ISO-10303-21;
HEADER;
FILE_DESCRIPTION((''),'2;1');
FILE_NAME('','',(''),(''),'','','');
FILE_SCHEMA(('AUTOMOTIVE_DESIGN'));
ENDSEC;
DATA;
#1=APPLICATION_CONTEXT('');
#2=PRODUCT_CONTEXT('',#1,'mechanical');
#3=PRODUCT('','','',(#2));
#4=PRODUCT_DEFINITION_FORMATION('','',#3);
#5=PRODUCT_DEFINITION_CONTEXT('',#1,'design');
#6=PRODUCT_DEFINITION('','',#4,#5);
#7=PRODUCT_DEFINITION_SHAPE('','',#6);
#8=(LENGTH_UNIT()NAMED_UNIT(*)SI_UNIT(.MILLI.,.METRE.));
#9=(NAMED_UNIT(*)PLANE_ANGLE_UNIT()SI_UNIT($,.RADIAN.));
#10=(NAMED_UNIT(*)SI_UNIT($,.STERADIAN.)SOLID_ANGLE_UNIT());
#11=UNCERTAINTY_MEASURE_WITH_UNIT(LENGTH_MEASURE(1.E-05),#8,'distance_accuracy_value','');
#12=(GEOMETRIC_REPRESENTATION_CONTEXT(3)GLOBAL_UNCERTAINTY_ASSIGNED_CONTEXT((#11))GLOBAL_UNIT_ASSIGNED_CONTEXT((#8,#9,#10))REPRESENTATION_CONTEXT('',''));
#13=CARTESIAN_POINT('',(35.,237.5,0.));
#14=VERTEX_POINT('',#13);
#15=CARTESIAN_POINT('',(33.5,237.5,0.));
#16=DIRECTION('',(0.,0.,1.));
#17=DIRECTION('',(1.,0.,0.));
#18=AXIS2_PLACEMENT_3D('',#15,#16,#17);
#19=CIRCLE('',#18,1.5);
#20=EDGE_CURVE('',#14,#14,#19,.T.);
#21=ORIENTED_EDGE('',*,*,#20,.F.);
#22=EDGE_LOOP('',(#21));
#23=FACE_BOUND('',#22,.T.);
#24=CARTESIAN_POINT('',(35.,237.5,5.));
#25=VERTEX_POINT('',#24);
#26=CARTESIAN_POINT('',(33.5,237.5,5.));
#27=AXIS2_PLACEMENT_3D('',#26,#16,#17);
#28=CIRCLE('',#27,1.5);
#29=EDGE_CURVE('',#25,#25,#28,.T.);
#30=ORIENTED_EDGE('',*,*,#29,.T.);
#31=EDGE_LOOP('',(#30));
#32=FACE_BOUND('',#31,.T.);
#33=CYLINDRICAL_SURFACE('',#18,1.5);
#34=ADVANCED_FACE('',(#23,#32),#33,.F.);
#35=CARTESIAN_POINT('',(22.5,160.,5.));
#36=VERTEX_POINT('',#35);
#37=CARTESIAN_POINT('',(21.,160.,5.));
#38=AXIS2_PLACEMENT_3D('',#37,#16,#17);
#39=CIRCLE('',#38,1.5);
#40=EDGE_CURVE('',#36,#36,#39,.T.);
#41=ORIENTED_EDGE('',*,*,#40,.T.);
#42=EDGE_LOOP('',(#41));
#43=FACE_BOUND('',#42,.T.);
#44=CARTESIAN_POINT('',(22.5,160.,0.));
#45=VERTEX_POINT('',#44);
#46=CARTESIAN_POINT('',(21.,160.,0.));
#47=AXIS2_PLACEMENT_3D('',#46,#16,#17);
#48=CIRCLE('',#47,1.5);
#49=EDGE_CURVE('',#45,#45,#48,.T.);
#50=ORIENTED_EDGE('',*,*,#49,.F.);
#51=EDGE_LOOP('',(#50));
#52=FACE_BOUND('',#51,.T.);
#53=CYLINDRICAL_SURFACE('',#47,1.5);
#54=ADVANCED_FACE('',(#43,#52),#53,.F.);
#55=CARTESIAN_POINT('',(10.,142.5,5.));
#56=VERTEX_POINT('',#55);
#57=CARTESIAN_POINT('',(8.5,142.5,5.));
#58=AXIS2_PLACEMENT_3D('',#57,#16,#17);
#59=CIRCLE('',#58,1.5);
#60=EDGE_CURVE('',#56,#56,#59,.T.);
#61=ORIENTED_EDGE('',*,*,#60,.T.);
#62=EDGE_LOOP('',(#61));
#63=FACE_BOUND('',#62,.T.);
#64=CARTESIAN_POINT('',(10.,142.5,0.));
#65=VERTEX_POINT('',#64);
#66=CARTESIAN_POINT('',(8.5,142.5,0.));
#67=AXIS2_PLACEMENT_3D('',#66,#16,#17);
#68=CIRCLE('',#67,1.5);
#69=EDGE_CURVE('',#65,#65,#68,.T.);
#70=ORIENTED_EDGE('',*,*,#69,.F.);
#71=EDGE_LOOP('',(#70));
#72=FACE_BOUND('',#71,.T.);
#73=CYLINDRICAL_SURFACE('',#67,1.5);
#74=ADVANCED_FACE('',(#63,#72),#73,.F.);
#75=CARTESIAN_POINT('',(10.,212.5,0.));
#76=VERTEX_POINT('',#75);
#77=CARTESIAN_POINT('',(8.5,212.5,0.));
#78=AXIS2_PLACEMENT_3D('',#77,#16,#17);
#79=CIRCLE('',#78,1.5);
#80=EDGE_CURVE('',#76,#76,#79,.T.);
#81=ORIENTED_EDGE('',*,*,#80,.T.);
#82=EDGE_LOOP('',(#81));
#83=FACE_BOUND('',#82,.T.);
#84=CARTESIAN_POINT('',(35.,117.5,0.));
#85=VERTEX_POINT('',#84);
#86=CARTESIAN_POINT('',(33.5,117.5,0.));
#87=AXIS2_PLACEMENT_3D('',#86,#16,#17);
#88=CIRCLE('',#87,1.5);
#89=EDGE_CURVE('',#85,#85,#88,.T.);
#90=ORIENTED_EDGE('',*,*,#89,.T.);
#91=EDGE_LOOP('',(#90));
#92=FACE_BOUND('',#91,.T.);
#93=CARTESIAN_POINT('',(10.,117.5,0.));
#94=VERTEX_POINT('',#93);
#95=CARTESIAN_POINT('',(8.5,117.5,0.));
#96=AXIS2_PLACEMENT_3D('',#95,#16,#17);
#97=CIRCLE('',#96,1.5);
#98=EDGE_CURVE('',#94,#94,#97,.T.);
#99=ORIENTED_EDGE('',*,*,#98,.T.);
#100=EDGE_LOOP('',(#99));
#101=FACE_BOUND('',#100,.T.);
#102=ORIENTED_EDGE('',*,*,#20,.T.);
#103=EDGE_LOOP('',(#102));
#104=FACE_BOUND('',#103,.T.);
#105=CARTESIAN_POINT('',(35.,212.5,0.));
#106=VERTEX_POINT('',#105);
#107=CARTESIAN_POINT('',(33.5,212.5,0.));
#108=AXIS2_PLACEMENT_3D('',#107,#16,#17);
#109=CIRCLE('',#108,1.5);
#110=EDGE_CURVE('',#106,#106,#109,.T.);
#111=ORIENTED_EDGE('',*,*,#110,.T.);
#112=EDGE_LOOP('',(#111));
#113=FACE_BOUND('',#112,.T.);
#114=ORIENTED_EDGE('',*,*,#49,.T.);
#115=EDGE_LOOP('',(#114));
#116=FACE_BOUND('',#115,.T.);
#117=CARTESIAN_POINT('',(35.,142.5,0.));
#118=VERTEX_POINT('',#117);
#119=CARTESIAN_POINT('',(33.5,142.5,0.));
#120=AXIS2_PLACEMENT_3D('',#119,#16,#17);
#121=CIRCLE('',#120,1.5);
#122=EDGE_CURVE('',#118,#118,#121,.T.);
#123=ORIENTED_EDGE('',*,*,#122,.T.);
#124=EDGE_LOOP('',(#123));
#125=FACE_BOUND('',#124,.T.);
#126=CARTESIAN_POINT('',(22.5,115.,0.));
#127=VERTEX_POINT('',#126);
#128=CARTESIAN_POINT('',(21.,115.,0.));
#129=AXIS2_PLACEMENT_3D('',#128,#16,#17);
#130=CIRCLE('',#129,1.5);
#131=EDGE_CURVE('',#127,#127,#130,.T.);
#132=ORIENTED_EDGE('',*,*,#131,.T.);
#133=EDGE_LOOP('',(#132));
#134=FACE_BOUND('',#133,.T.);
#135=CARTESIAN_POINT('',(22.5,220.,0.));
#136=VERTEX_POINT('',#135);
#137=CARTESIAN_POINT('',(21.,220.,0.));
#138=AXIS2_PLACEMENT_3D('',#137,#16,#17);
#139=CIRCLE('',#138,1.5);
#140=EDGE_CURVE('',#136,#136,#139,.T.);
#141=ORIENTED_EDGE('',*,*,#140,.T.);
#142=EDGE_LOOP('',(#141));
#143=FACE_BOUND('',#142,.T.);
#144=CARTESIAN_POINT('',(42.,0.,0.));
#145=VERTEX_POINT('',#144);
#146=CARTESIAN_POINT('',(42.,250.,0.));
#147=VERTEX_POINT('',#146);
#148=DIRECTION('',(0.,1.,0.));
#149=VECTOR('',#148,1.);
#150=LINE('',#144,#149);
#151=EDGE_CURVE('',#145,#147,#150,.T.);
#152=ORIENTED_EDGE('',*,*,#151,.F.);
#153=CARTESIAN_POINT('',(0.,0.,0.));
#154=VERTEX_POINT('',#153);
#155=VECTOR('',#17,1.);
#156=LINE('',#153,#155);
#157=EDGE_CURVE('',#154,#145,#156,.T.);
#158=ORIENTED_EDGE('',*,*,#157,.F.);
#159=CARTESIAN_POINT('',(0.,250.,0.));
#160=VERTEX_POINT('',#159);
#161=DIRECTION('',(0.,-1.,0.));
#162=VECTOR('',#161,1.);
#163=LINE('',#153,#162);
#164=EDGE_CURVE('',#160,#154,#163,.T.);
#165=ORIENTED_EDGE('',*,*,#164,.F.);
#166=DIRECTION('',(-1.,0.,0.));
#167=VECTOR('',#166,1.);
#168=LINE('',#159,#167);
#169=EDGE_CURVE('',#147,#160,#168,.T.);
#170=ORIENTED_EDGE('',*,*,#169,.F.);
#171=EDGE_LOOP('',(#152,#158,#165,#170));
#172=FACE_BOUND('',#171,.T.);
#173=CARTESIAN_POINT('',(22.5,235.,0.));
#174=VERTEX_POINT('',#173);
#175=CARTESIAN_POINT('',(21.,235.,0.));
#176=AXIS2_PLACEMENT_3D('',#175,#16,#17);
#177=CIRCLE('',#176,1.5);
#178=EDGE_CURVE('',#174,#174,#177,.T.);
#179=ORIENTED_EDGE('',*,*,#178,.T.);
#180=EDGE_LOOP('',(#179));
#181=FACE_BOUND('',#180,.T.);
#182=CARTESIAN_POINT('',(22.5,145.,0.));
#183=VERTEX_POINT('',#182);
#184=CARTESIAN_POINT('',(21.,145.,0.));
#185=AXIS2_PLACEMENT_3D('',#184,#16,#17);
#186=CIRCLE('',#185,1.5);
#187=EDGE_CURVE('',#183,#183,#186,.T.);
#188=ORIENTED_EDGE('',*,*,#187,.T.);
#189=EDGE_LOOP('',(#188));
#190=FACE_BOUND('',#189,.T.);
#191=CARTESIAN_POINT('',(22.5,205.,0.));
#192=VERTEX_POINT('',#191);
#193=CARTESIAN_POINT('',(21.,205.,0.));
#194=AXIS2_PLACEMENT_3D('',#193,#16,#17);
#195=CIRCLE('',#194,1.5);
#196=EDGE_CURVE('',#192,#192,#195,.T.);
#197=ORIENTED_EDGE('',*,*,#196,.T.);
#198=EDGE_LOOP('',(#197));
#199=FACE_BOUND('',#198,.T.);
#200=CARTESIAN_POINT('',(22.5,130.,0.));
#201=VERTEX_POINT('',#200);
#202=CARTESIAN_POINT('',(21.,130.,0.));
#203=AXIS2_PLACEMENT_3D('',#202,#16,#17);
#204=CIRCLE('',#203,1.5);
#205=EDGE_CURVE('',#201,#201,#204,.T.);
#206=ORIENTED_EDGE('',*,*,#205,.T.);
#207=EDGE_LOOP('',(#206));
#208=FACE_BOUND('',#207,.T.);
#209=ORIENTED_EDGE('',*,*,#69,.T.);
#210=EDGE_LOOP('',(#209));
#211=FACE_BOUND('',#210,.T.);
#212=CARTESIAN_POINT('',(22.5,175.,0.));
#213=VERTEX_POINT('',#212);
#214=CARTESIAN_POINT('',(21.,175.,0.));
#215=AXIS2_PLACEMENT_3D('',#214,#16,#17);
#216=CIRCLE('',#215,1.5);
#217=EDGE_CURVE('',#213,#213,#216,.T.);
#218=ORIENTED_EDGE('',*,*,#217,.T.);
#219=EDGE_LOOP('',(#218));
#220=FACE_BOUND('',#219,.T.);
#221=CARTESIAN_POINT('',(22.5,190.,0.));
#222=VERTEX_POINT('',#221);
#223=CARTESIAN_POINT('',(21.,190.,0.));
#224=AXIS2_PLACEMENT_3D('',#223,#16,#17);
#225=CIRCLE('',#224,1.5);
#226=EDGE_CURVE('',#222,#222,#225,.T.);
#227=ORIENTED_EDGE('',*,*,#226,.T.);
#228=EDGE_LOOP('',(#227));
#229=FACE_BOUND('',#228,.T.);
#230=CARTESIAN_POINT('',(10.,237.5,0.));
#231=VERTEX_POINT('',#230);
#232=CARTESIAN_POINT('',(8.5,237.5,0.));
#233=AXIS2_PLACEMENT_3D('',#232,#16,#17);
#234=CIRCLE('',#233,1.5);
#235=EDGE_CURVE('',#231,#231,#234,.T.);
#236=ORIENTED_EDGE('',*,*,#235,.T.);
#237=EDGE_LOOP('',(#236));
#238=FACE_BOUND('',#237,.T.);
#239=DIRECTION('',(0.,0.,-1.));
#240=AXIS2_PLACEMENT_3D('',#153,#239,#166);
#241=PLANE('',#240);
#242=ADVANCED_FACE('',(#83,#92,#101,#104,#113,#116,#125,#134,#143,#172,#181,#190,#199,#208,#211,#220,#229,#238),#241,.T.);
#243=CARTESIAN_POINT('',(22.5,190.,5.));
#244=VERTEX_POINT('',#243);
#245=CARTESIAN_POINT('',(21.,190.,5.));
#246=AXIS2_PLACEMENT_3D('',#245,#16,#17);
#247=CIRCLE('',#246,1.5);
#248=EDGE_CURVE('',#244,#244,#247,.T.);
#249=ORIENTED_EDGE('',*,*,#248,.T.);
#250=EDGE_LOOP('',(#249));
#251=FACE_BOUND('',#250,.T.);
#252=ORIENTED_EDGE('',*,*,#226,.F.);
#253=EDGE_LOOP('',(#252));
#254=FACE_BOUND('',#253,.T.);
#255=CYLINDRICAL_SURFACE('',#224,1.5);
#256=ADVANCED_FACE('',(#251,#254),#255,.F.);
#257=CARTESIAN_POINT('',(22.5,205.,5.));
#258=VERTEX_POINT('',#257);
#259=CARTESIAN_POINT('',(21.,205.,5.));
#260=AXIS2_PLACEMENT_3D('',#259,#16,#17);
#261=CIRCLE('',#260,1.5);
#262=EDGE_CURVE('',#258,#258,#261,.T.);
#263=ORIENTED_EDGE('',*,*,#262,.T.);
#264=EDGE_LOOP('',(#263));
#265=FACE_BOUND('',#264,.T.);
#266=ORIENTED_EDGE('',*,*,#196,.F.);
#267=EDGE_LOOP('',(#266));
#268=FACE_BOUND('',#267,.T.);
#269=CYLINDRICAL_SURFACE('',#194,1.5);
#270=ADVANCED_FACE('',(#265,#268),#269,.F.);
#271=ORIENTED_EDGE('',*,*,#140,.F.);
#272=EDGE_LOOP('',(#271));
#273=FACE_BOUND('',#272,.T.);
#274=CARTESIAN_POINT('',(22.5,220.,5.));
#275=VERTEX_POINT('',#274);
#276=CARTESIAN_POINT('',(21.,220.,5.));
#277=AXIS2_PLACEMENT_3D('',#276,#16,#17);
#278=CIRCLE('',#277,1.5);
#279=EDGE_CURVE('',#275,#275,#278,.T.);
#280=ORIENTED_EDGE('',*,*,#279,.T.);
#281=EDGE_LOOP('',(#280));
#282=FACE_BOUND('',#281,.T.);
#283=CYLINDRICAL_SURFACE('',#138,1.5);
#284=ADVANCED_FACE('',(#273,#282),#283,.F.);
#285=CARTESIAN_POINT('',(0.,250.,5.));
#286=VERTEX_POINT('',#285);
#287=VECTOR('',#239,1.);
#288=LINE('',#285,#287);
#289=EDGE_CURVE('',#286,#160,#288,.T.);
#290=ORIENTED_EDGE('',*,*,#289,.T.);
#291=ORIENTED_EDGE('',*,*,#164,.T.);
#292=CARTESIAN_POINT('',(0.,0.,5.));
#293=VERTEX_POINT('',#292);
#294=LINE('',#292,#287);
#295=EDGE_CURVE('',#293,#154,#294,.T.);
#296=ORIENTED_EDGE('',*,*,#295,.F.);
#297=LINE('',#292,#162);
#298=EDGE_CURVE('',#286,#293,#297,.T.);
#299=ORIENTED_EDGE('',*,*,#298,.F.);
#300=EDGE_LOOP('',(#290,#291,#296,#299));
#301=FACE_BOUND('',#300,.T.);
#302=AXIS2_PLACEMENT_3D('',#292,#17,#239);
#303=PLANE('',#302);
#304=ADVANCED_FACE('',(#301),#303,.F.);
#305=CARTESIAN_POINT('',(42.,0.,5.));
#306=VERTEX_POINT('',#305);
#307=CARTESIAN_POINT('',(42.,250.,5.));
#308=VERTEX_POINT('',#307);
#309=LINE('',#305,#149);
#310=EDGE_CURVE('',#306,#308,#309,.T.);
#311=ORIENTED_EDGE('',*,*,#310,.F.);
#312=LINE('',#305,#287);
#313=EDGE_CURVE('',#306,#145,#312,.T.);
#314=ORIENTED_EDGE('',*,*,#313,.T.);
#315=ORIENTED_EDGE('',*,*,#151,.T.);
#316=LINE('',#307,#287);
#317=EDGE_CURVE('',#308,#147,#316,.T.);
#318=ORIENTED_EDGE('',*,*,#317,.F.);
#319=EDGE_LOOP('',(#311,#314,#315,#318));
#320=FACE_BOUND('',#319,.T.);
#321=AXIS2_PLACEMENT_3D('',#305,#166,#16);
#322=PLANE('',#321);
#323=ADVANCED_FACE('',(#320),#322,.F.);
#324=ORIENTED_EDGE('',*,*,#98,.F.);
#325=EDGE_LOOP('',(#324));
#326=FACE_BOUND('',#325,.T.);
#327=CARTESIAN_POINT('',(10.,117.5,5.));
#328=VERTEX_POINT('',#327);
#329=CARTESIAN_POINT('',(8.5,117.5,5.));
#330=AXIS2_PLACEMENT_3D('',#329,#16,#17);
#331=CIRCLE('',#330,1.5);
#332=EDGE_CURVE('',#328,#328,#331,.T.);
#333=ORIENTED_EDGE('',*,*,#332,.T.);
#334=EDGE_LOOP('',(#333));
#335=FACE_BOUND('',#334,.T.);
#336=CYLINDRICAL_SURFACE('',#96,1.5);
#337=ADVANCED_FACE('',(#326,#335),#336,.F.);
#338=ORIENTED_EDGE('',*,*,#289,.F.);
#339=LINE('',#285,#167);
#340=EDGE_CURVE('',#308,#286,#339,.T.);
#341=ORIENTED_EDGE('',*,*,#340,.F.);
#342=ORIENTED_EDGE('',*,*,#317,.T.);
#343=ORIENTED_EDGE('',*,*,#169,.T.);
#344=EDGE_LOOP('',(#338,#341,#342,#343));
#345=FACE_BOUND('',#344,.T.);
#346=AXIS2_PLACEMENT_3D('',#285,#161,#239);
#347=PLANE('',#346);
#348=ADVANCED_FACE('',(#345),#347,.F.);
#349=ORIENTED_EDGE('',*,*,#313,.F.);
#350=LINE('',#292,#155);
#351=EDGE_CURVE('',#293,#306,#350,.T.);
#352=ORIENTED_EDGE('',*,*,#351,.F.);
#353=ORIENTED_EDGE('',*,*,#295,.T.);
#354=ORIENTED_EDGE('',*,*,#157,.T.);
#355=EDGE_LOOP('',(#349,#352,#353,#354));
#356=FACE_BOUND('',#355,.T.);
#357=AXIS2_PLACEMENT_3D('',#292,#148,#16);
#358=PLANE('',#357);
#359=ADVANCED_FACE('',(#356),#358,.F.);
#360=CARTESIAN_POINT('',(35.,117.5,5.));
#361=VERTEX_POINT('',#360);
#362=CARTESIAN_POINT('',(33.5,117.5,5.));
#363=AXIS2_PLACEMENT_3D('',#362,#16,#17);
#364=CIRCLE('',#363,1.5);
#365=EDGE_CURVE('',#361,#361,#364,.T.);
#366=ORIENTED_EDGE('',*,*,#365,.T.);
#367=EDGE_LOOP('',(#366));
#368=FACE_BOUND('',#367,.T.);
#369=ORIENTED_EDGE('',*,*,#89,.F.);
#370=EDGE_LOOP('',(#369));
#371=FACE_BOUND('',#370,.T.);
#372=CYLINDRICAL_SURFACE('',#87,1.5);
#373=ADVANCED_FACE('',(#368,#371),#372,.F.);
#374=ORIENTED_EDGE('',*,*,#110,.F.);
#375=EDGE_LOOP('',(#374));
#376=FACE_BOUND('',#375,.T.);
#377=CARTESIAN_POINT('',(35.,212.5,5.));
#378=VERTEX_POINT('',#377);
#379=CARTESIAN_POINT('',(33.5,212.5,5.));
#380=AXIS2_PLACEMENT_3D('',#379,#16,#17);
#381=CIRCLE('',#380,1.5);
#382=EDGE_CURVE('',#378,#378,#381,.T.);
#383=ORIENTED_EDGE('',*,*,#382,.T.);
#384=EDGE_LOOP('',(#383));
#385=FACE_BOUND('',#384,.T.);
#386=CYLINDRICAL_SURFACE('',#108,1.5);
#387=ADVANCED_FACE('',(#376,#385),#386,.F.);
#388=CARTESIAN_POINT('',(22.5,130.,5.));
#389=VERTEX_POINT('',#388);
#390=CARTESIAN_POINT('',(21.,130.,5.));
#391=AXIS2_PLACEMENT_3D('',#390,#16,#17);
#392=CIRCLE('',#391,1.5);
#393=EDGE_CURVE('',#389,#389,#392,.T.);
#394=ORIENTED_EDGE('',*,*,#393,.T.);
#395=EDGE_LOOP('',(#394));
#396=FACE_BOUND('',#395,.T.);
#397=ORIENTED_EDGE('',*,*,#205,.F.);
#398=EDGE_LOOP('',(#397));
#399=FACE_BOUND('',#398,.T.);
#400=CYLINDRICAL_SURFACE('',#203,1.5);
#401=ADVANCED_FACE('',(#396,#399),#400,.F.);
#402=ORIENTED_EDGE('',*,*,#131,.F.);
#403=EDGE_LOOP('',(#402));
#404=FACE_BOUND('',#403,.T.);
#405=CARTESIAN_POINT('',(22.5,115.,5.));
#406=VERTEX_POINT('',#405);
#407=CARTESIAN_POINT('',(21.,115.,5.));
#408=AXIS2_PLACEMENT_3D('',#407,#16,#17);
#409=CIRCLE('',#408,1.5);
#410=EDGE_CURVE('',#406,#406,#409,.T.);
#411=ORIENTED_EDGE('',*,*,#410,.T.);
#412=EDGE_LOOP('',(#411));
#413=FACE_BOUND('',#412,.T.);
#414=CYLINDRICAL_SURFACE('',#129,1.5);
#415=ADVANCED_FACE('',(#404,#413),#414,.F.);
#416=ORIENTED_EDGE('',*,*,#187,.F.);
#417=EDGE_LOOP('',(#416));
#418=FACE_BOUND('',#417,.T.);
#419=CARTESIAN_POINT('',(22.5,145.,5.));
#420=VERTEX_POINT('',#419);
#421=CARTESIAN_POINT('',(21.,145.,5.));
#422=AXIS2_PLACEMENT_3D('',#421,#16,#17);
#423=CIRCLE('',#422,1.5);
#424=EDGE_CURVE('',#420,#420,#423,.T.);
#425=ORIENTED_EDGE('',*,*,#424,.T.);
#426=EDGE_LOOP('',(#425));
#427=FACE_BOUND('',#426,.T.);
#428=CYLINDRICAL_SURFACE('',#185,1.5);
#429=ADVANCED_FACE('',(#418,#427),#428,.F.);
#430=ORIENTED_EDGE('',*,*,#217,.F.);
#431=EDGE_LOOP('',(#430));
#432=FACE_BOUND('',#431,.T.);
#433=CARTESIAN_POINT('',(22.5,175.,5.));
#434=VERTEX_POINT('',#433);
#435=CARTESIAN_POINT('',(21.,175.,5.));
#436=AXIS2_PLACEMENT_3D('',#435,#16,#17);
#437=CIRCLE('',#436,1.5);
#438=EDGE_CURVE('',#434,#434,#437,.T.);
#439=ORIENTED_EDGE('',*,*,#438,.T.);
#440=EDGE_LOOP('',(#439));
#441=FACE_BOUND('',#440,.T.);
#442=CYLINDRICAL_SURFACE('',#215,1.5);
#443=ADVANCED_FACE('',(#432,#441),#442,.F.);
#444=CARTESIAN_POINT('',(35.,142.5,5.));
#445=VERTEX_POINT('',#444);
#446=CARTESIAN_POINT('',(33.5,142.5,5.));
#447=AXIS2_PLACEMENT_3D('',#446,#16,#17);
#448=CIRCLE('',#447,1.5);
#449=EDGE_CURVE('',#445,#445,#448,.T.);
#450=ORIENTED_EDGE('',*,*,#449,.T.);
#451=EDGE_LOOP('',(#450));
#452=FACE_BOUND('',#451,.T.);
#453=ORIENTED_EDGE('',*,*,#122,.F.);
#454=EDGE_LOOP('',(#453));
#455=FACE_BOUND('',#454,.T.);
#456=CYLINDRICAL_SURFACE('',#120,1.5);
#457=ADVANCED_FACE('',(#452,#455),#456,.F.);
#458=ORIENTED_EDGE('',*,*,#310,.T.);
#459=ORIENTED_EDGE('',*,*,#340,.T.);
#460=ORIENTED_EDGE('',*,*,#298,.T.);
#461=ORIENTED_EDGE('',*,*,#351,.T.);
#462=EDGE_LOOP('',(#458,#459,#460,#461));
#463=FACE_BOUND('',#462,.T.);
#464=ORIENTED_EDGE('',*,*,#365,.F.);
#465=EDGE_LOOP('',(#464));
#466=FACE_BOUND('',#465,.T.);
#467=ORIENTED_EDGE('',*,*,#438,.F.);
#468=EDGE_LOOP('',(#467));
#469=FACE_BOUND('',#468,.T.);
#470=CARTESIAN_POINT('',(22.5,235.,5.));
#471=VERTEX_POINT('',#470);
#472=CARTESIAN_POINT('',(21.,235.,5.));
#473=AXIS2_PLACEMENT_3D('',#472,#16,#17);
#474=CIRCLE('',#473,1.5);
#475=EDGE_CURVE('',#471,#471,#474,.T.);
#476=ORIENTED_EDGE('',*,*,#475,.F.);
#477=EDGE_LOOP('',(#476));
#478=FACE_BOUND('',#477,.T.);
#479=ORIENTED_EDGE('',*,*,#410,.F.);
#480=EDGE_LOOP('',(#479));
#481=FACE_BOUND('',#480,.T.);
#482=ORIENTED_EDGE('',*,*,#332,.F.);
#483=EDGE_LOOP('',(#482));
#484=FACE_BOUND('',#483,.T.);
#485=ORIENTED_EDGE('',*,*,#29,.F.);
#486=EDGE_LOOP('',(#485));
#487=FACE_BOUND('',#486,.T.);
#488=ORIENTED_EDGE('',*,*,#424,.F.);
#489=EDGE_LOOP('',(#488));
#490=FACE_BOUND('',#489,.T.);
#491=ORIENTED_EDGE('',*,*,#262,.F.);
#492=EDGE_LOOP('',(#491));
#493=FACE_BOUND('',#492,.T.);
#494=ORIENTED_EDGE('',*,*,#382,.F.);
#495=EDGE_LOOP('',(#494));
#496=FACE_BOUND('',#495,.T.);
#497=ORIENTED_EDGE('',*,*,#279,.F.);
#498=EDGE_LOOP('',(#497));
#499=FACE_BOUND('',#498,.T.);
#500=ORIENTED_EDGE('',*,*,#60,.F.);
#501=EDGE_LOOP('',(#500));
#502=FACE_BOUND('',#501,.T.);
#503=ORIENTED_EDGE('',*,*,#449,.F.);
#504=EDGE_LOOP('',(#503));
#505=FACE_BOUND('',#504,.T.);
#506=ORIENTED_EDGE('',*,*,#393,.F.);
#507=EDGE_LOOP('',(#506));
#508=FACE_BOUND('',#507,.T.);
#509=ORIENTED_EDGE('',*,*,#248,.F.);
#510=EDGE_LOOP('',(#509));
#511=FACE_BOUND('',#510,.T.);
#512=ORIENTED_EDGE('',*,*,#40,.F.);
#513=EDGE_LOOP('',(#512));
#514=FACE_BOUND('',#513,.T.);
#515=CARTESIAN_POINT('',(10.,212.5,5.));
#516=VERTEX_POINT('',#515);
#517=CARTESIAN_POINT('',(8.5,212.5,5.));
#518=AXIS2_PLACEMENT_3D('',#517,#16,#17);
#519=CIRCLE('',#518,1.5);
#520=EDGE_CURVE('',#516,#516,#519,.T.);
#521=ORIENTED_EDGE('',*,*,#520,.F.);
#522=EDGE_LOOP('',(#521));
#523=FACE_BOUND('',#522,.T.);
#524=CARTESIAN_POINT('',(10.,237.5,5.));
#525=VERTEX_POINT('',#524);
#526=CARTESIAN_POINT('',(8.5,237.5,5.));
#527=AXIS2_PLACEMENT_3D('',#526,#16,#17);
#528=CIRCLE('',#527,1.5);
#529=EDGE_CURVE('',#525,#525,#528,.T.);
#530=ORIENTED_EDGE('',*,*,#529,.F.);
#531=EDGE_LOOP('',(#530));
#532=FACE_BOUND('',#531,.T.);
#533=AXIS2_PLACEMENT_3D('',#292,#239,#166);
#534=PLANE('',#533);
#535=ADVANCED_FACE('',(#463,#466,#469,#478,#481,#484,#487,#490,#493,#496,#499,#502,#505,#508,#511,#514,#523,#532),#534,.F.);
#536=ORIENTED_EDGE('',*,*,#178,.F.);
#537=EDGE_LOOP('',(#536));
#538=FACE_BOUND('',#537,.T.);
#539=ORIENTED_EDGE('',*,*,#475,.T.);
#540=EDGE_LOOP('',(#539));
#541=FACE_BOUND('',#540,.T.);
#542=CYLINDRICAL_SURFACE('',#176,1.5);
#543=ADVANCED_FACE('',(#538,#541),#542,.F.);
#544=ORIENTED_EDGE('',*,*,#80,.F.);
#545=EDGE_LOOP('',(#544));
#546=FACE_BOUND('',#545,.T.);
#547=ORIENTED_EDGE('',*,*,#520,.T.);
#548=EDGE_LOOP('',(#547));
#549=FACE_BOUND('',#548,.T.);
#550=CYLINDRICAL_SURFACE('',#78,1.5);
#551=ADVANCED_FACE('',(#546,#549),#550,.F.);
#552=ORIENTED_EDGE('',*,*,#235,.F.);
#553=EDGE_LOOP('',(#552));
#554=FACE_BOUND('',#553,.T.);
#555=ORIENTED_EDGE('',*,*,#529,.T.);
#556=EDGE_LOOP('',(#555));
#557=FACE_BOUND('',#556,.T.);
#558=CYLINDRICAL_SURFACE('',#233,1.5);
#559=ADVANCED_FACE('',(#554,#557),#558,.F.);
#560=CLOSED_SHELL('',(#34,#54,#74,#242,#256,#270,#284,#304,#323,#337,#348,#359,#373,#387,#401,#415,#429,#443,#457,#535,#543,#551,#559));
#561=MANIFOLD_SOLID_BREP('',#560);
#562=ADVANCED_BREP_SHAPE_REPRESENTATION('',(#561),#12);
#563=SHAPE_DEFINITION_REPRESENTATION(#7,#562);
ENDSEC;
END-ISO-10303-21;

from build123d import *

# Parameters (mm, degrees)
SKETCH1_W           = 42
SKETCH1_H           = 250
BOSS_EXTRUDE1_DEPTH = 5
SKETCH2_R           = 1.5
CUT_EXTRUDE1_DEPTH  = 254.552755852


with BuildPart() as part:
    # Sketch1 → Boss-Extrude1 (new body)
    with BuildSketch(Plane.XY):
        with Locations((21, 125)):
            Rectangle(SKETCH1_W, SKETCH1_H)
    extrude(amount=BOSS_EXTRUDE1_DEPTH)

    # Sketch2 → Cut-Extrude1 (cut, through all)
    with BuildSketch(Plane.XY.offset(5)):
        with Locations((21, 235)):
            Circle(SKETCH2_R)
        with Locations((21, 220)):
            Circle(SKETCH2_R)
        with Locations((21, 205)):
            Circle(SKETCH2_R)
        with Locations((21, 190)):
            Circle(SKETCH2_R)
        with Locations((21, 175)):
            Circle(SKETCH2_R)
        with Locations((21, 160)):
            Circle(SKETCH2_R)
        with Locations((21, 145)):
            Circle(SKETCH2_R)
        with Locations((21, 130)):
            Circle(SKETCH2_R)
        with Locations((21, 115)):
            Circle(SKETCH2_R)
        with Locations((8.5, 237.5)):
            Circle(SKETCH2_R)
        with Locations((33.5, 237.5)):
            Circle(SKETCH2_R)
        with Locations((33.5, 212.5)):
            Circle(SKETCH2_R)
        with Locations((8.5, 212.5)):
            Circle(SKETCH2_R)
        with Locations((8.5, 142.5)):
            Circle(SKETCH2_R)
        with Locations((33.5, 142.5)):
            Circle(SKETCH2_R)
        with Locations((33.5, 117.5)):
            Circle(SKETCH2_R)
        with Locations((8.5, 117.5)):
            Circle(SKETCH2_R)
    extrude(amount=-CUT_EXTRUDE1_DEPTH, mode=Mode.SUBTRACT)


solid = part.part
